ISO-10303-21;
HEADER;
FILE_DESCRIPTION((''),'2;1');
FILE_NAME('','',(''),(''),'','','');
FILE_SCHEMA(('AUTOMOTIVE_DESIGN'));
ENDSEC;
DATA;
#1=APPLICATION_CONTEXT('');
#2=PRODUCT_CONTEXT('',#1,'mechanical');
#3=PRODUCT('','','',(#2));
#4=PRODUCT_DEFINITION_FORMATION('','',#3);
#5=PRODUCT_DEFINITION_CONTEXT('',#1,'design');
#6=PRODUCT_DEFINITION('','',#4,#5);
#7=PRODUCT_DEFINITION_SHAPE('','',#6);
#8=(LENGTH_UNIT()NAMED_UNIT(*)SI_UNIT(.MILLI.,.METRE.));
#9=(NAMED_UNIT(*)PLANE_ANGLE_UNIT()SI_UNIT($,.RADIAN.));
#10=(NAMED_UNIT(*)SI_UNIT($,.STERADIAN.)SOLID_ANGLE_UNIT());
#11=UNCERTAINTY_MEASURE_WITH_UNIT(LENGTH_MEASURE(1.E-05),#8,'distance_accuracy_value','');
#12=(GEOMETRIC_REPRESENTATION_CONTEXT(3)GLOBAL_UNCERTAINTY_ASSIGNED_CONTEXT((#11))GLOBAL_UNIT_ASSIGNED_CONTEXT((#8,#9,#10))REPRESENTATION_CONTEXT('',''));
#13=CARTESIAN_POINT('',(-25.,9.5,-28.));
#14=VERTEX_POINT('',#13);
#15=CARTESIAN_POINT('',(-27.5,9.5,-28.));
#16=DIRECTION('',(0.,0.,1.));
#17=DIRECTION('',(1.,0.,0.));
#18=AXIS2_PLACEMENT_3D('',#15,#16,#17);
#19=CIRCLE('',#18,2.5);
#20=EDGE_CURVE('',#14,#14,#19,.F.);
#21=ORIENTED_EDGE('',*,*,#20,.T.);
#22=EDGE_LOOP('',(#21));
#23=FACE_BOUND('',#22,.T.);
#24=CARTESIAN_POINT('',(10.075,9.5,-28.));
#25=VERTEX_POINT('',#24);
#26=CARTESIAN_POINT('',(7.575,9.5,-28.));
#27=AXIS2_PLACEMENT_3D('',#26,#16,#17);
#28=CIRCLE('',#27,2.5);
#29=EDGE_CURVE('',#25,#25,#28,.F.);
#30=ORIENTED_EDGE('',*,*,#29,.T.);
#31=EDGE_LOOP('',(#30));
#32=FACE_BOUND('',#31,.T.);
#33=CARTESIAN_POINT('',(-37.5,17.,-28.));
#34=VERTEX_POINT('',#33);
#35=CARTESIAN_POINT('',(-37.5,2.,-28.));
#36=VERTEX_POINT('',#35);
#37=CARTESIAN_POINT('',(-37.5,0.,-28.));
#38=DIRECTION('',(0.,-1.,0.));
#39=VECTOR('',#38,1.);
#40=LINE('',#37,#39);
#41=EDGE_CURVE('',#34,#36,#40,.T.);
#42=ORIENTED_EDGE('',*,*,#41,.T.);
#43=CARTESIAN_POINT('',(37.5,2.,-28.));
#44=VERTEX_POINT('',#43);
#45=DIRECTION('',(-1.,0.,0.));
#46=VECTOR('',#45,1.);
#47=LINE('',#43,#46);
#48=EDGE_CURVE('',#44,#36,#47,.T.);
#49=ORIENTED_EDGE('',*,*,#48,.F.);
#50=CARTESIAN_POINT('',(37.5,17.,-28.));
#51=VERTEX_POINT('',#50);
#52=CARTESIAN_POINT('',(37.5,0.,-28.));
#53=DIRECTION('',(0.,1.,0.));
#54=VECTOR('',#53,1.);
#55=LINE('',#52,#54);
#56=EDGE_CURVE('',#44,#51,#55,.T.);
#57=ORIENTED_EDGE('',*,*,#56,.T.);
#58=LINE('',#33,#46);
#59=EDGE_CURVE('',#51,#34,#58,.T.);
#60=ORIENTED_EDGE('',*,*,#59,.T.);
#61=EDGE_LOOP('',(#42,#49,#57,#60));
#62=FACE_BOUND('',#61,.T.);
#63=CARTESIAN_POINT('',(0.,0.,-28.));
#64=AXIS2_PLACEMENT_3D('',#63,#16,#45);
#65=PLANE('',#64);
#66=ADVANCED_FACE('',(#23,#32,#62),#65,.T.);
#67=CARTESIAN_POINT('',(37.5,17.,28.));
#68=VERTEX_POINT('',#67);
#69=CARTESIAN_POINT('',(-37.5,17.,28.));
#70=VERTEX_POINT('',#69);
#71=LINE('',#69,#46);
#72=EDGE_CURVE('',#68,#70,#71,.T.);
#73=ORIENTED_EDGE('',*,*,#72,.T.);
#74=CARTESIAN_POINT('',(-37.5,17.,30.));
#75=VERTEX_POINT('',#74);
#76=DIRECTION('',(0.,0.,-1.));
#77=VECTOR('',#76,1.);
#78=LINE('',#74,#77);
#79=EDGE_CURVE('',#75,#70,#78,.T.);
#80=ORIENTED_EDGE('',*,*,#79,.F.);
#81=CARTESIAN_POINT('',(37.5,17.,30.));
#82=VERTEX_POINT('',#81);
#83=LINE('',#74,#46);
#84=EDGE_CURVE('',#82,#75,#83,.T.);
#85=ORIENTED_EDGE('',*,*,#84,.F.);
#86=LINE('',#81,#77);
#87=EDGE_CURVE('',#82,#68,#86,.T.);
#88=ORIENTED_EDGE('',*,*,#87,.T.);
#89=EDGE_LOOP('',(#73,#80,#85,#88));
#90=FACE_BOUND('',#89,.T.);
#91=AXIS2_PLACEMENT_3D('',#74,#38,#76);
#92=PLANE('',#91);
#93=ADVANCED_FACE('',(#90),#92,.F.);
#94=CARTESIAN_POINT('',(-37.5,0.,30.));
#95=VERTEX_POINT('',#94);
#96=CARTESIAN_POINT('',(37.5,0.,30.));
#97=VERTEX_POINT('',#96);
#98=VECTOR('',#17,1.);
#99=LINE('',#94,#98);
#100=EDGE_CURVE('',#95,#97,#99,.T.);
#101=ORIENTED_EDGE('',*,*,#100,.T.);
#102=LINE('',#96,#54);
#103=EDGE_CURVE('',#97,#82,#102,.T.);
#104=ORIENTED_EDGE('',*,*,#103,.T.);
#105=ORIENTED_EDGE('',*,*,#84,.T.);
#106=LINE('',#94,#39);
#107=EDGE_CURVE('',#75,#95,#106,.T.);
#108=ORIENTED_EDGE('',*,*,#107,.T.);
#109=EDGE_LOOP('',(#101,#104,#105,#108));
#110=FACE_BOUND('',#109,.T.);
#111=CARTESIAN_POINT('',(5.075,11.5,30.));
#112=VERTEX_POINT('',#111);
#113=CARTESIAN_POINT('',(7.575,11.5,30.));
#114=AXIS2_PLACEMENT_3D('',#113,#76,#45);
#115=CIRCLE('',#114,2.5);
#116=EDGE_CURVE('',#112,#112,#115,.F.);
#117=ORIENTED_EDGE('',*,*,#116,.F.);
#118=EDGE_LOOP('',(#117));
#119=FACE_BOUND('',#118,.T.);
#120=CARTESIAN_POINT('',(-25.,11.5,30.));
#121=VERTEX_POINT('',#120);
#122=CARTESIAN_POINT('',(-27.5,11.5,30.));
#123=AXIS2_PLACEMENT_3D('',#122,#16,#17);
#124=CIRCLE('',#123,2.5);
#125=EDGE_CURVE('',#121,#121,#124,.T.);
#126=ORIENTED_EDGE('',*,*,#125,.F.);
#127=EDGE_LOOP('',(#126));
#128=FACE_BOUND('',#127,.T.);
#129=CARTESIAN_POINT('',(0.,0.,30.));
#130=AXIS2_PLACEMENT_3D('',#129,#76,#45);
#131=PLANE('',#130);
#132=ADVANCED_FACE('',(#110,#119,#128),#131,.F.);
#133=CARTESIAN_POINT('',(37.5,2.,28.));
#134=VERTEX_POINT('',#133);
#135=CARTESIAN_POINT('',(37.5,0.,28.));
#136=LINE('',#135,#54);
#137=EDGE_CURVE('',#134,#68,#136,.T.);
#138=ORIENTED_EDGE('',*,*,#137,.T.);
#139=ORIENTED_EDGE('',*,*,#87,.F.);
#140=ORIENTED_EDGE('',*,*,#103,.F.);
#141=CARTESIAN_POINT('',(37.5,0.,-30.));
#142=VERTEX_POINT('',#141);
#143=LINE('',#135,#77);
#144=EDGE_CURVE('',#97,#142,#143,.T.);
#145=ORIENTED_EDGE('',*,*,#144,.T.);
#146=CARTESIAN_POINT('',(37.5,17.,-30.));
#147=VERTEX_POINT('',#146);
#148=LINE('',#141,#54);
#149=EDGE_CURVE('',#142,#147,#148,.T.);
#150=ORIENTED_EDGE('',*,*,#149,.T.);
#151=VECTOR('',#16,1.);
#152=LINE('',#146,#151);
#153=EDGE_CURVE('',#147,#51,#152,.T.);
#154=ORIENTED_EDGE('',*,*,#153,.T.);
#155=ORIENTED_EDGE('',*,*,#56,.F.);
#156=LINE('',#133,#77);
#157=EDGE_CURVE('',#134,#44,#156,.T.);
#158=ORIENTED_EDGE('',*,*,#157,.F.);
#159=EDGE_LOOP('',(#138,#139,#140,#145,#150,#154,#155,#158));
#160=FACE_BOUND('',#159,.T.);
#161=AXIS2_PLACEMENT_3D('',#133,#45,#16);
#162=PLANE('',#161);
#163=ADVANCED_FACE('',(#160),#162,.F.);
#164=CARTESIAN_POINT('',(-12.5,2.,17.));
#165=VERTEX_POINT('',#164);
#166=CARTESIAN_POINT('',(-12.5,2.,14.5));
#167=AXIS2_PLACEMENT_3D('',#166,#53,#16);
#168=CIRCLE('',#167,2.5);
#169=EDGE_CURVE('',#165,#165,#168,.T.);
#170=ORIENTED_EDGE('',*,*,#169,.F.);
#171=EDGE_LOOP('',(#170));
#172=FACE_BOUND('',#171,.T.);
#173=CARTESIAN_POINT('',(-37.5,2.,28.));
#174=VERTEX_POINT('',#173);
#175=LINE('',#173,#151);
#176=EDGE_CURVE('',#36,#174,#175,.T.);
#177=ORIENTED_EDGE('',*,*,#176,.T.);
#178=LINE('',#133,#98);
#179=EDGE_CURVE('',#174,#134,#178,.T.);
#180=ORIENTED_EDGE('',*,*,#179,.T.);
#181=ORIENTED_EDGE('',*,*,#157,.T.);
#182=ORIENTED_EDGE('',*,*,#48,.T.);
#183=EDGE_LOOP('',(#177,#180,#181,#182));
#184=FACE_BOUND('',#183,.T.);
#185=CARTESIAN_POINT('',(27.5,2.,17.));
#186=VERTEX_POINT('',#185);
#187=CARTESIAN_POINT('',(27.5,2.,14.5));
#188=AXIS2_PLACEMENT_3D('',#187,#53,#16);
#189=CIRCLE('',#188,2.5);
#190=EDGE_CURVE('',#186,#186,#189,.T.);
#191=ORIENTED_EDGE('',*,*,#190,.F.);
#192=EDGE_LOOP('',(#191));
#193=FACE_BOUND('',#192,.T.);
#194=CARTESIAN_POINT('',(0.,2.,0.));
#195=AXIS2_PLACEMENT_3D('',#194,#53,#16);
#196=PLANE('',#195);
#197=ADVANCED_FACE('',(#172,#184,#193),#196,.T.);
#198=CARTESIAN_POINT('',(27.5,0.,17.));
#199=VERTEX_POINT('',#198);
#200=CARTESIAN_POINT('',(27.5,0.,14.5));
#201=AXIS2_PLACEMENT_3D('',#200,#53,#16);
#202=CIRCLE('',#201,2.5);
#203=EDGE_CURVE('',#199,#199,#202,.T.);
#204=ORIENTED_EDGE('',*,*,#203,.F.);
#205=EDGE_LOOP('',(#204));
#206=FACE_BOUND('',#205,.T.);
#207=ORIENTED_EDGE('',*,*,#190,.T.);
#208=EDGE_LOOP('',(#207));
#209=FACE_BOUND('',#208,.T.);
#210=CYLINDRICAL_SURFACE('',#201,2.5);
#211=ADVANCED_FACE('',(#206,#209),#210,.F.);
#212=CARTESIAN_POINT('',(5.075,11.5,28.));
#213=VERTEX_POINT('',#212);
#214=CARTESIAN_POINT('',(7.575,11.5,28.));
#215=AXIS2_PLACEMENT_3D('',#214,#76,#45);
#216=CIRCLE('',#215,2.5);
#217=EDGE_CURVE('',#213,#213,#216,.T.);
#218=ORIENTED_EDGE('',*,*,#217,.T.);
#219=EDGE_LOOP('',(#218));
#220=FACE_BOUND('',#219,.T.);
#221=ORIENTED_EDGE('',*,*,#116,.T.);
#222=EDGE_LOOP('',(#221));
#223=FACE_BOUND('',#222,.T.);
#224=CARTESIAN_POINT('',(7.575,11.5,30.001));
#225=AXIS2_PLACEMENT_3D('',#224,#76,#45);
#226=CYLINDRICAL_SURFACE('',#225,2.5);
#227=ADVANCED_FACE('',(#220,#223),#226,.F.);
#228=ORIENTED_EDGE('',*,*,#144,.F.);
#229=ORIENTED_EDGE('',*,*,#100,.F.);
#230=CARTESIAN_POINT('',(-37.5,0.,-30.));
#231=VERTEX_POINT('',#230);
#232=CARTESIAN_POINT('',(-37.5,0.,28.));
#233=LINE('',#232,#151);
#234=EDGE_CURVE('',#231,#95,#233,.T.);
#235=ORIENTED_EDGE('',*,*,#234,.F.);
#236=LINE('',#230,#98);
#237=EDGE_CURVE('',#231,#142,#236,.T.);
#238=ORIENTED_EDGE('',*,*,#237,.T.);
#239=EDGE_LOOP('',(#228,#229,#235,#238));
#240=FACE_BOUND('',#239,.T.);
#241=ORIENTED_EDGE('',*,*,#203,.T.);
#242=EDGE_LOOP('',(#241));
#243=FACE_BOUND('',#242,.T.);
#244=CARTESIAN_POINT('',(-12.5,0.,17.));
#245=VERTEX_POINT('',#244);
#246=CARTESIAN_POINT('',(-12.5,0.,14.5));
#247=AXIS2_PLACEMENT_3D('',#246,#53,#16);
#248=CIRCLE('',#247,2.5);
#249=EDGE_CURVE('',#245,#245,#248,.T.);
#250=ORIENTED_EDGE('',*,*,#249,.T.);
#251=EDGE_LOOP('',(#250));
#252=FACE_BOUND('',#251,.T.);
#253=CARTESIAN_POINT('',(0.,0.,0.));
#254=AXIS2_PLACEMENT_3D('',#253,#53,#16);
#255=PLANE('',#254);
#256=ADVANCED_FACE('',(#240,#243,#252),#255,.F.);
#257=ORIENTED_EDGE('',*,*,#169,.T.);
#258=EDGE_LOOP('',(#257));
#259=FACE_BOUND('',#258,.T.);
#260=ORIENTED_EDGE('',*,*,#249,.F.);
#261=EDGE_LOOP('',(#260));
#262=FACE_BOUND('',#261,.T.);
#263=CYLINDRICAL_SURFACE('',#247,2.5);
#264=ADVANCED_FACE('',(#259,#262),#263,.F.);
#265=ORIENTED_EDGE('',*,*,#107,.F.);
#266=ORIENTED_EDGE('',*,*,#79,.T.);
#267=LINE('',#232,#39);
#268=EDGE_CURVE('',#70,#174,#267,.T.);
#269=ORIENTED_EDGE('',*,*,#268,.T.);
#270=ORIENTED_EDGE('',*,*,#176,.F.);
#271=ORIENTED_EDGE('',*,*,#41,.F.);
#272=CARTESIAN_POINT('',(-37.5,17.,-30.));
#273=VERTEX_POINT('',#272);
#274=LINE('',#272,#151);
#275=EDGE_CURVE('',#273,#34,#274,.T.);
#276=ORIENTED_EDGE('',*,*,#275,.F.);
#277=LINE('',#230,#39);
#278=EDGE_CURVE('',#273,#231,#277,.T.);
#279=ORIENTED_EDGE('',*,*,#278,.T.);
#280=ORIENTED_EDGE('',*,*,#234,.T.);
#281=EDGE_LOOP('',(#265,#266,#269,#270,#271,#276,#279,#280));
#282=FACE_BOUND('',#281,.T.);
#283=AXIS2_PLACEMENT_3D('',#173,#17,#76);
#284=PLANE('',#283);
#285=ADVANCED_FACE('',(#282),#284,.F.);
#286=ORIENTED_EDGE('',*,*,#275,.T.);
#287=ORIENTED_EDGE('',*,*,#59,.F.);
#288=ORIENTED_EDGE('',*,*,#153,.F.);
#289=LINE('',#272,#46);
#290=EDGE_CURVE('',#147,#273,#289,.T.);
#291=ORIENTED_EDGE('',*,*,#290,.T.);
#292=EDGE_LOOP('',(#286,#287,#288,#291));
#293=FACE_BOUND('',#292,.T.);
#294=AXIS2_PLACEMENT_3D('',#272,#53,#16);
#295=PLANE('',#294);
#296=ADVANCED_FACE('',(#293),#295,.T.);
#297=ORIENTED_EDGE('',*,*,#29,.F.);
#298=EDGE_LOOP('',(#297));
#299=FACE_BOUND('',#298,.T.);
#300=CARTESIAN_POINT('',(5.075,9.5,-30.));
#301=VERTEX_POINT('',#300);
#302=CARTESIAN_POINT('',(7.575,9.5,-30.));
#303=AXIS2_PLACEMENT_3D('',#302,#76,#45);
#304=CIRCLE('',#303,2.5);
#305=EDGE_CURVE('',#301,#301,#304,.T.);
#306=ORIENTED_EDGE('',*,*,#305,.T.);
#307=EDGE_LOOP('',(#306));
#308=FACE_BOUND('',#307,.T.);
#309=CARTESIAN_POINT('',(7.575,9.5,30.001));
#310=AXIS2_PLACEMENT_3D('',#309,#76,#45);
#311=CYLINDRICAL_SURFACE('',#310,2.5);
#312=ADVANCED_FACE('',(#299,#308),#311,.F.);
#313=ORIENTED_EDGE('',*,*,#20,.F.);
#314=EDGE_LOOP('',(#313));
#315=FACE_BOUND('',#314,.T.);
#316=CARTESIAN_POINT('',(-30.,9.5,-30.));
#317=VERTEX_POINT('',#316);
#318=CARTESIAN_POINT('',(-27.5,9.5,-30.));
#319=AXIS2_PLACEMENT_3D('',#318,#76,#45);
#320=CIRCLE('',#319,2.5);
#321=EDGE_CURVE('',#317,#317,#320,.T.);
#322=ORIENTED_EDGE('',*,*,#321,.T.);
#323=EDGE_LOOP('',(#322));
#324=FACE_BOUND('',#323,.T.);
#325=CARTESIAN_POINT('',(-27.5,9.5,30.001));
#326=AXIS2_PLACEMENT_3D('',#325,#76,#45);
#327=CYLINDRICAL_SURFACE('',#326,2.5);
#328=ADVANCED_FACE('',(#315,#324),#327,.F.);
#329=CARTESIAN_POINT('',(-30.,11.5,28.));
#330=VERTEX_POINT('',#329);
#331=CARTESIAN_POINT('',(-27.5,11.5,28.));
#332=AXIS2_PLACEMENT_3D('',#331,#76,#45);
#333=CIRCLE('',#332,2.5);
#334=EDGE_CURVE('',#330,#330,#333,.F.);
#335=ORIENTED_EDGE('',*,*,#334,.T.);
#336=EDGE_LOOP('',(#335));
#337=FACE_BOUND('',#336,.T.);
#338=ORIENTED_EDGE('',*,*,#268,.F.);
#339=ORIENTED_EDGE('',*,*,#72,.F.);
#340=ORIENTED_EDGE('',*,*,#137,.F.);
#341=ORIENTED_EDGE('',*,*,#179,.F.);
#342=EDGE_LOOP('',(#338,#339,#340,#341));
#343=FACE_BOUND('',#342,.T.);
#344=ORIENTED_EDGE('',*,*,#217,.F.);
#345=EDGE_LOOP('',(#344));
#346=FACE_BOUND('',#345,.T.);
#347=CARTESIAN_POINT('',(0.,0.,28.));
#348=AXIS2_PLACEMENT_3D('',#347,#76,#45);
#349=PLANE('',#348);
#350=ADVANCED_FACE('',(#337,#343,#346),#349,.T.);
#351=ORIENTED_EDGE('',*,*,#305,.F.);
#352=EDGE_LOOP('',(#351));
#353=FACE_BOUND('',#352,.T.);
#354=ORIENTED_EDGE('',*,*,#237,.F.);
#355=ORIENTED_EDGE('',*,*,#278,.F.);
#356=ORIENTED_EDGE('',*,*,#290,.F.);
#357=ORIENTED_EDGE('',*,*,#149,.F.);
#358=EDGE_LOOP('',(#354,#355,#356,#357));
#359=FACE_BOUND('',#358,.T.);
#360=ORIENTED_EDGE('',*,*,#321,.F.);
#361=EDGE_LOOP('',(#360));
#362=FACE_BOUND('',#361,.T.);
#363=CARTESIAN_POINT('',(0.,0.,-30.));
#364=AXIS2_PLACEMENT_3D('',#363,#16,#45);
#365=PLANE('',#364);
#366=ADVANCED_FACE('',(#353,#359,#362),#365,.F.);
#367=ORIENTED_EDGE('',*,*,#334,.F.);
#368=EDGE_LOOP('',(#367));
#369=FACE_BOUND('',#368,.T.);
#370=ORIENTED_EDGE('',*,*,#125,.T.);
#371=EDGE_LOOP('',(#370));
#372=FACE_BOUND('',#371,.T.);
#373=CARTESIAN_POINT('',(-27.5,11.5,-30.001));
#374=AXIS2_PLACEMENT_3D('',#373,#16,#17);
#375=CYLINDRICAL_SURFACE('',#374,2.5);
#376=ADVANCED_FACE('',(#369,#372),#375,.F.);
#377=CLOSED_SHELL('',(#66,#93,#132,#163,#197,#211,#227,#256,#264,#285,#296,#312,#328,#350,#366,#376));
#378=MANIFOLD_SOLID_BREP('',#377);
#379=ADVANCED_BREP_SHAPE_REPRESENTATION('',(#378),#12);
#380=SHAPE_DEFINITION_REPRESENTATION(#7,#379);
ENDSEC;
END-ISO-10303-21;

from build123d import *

# Parameters (mm, degrees)
ESBO_O1_W                = 75
ESBO_O1_H                = 56
RESSALTO_EXTRUS_O1_DEPTH = 2
ESBO_O3_W                = 75
ESBO_O3_H                = 17
RESSALTO_EXTRUS_O3_DEPTH = 2
CORTE_EXTRUS_O1_REACH    = 4
ESBO_O4_R                = 2.5
CORTE_EXTRUS_O2_REACH    = 62
ESBO_O5_R                = 2.5
ESBO_O6_R                = 2.5
CORTE_EXTRUS_O3_DEPTH    = 2
CUT_EXTRUDE1_REACH       = 62
SKETCH1_R                = 2.5
CUT_EXTRUDE2_REACH       = 62
SKETCH2_R                = 2.5


with BuildPart() as part:
    # Esboço1 → Ressalto-extrusão1 (new body)
    with BuildSketch(Plane(origin=(0, 0, 0), x_dir=(1, 0, 0), z_dir=(0, 1, 0))):
        Rectangle(ESBO_O1_W, ESBO_O1_H)
    extrude(amount=RESSALTO_EXTRUS_O1_DEPTH)

    # Esboço3 → Ressalto-extrusão3 (add)
    with BuildSketch(Plane.XY.offset(28)):
        with Locations((0, 8.5)):
            Rectangle(ESBO_O3_W, ESBO_O3_H)
    ressalto_extrus_o3 = extrude(amount=RESSALTO_EXTRUS_O3_DEPTH)

    # Espelhar2: Ressalto-extrusão3 across plane
    add(ressalto_extrus_o3.mirror(Plane.XY))

    # Esboço4 → Corte-extrusão1 (cut, up to next)
    with BuildSketch(Plane(origin=(0, 0, 28), x_dir=(-1, 0, 0), z_dir=(0, 0, -1)), mode=Mode.PRIVATE) as corte_extrus_o1_sk1:
        with Locations((-7.575, 11.5)):
            Circle(ESBO_O4_R)
    corte_extrus_o1_tool1 = extrude(corte_extrus_o1_sk1.sketch, amount=-CORTE_EXTRUS_O1_REACH, mode=Mode.PRIVATE) & part.part
    add(corte_extrus_o1_tool1.solids().sort_by_distance((7.575, 11.5, 28))[0], mode=Mode.SUBTRACT)

    # Esboço5 → Corte-extrusão2 (cut, up to next)
    with BuildSketch(Plane.XY.offset(30), mode=Mode.PRIVATE) as corte_extrus_o2_sk1:
        with Locations((-27.5, 11.5)):
            Circle(ESBO_O5_R)
    corte_extrus_o2_tool1 = extrude(corte_extrus_o2_sk1.sketch, amount=-CORTE_EXTRUS_O2_REACH, mode=Mode.PRIVATE) & part.part
    add(corte_extrus_o2_tool1.solids().sort_by_distance((-27.5, 11.5, 30))[0], mode=Mode.SUBTRACT)

    # Esboço6 → Corte-extrusão3 (cut)
    with BuildSketch(Plane(origin=(0, 2, 0), x_dir=(1, 0, 0), z_dir=(0, 1, 0))):
        with Locations((-12.5, -14.5)):
            Circle(ESBO_O6_R)
        with Locations((27.5, -14.5)):
            Circle(ESBO_O6_R)
    extrude(amount=-CORTE_EXTRUS_O3_DEPTH, mode=Mode.SUBTRACT)

    # Sketch1 → Cut-Extrude1 (cut, up to next)
    with BuildSketch(Plane(origin=(0, 0, -30), x_dir=(-1, 0, 0), z_dir=(0, 0, -1)), mode=Mode.PRIVATE) as cut_extrude1_sk1:
        with Locations((-7.575, 9.5)):
            Circle(SKETCH1_R)
    cut_extrude1_tool1 = extrude(cut_extrude1_sk1.sketch, amount=-CUT_EXTRUDE1_REACH, mode=Mode.PRIVATE) & part.part
    add(cut_extrude1_tool1.solids().sort_by_distance((7.575, 9.5, -30))[0], mode=Mode.SUBTRACT)

    # Sketch2 → Cut-Extrude2 (cut, up to next)
    with BuildSketch(Plane(origin=(0, 0, -30), x_dir=(-1, 0, 0), z_dir=(0, 0, -1)), mode=Mode.PRIVATE) as cut_extrude2_sk1:
        with Locations((27.5, 9.5)):
            Circle(SKETCH2_R)
    cut_extrude2_tool1 = extrude(cut_extrude2_sk1.sketch, amount=-CUT_EXTRUDE2_REACH, mode=Mode.PRIVATE) & part.part
    add(cut_extrude2_tool1.solids().sort_by_distance((-27.5, 9.5, -30))[0], mode=Mode.SUBTRACT)


solid = part.part
